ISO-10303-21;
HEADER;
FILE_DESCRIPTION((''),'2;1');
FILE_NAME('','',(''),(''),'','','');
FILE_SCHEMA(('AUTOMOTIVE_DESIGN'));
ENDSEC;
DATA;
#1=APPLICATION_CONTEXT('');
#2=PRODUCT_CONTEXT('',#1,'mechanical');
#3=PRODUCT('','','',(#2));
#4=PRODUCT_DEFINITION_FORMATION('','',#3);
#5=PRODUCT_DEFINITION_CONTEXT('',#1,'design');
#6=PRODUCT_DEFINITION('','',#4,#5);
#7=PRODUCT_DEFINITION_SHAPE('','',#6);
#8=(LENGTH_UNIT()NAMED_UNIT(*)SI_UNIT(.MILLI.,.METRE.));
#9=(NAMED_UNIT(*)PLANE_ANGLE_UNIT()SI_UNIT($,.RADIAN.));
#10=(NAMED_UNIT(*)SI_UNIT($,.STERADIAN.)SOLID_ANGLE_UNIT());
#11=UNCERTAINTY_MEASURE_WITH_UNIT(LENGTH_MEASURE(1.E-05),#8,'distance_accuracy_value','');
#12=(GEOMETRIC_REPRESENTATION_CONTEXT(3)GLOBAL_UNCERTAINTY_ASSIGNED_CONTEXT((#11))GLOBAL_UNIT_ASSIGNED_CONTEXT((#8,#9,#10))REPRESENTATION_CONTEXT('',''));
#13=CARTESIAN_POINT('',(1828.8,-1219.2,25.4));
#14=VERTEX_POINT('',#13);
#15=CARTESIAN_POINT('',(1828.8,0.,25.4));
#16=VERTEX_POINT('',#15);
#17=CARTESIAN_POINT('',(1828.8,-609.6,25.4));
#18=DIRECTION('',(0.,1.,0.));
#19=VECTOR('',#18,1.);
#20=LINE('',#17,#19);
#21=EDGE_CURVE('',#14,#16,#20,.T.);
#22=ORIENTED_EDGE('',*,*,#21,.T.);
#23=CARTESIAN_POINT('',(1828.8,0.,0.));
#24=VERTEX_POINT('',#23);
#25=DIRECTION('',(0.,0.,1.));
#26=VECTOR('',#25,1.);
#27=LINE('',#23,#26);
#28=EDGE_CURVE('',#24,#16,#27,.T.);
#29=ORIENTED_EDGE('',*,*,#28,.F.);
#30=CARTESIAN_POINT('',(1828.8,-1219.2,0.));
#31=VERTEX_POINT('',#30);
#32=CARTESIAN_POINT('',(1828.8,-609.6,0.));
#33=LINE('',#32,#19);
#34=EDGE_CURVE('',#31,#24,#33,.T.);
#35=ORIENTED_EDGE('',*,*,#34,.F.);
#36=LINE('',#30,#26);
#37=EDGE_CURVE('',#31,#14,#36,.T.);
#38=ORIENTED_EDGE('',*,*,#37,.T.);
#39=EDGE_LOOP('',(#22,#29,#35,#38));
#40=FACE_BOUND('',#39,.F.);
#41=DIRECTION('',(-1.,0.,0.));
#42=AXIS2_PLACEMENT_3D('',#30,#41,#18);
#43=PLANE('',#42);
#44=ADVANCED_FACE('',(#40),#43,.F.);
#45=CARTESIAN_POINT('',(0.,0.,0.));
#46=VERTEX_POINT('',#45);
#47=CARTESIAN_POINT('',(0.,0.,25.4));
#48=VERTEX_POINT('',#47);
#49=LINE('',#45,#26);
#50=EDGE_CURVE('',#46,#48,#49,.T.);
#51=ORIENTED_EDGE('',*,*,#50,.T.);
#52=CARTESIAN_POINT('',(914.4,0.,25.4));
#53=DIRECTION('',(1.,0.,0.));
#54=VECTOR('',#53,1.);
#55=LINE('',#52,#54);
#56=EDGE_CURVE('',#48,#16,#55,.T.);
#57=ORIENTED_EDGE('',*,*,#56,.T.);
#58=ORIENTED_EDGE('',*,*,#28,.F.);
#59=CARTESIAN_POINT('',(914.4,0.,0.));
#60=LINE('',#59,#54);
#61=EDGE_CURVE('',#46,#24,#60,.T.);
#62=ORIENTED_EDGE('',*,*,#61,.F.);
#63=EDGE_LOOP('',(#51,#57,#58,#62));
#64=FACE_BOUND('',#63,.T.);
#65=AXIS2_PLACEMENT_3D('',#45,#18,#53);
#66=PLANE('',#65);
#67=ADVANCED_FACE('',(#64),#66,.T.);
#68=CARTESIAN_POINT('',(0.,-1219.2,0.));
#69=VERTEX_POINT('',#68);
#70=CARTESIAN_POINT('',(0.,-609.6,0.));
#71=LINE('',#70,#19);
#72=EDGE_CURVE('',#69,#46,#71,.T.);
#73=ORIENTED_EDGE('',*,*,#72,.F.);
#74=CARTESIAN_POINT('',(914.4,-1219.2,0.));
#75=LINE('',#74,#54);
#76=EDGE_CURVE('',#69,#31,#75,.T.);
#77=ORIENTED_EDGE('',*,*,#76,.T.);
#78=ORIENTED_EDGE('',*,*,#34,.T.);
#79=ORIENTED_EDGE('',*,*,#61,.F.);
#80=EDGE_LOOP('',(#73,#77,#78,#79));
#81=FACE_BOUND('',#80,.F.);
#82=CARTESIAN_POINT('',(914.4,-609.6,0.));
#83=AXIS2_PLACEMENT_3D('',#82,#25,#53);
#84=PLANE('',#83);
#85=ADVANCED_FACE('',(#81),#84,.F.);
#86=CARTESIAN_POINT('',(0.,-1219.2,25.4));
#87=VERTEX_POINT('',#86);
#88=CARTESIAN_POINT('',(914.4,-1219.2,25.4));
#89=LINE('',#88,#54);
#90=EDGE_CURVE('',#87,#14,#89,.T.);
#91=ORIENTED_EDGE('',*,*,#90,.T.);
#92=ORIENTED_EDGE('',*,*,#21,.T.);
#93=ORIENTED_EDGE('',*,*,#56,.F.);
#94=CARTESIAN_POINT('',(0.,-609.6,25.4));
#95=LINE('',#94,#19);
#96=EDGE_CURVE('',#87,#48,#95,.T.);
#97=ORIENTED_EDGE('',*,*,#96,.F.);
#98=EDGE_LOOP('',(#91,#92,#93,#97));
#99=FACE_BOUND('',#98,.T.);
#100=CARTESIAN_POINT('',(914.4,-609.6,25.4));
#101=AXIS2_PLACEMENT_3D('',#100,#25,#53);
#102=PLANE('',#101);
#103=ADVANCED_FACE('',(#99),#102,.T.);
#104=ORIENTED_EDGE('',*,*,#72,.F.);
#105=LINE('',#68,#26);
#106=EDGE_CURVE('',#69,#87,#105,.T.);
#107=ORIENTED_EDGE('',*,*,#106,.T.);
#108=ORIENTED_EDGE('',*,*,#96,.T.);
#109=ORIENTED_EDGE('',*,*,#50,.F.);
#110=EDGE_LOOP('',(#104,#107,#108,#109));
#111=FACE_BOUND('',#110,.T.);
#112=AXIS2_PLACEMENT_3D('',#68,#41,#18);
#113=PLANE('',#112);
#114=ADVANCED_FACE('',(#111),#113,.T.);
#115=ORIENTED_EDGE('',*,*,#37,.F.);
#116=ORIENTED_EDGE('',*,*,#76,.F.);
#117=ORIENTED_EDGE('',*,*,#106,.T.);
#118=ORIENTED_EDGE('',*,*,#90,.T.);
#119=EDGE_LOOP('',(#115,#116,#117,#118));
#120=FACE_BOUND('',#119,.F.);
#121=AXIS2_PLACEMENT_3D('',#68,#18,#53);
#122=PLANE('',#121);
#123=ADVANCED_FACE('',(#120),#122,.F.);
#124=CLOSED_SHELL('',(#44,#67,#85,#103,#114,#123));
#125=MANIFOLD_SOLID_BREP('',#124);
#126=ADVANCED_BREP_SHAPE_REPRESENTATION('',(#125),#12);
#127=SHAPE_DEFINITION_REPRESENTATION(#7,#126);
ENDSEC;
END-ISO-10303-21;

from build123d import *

# Parameters (mm, degrees)
SKETCH1_W           = 1828.8
SKETCH1_H           = 1219.2
BOSS_EXTRUDE1_DEPTH = 25.4


with BuildPart() as part:
    # Sketch1 → Boss-Extrude1 (new body)
    with BuildSketch(Plane.XY):
        with Locations((914.4, -609.6)):
            Rectangle(SKETCH1_W, SKETCH1_H)
    extrude(amount=BOSS_EXTRUDE1_DEPTH)


solid = part.part
